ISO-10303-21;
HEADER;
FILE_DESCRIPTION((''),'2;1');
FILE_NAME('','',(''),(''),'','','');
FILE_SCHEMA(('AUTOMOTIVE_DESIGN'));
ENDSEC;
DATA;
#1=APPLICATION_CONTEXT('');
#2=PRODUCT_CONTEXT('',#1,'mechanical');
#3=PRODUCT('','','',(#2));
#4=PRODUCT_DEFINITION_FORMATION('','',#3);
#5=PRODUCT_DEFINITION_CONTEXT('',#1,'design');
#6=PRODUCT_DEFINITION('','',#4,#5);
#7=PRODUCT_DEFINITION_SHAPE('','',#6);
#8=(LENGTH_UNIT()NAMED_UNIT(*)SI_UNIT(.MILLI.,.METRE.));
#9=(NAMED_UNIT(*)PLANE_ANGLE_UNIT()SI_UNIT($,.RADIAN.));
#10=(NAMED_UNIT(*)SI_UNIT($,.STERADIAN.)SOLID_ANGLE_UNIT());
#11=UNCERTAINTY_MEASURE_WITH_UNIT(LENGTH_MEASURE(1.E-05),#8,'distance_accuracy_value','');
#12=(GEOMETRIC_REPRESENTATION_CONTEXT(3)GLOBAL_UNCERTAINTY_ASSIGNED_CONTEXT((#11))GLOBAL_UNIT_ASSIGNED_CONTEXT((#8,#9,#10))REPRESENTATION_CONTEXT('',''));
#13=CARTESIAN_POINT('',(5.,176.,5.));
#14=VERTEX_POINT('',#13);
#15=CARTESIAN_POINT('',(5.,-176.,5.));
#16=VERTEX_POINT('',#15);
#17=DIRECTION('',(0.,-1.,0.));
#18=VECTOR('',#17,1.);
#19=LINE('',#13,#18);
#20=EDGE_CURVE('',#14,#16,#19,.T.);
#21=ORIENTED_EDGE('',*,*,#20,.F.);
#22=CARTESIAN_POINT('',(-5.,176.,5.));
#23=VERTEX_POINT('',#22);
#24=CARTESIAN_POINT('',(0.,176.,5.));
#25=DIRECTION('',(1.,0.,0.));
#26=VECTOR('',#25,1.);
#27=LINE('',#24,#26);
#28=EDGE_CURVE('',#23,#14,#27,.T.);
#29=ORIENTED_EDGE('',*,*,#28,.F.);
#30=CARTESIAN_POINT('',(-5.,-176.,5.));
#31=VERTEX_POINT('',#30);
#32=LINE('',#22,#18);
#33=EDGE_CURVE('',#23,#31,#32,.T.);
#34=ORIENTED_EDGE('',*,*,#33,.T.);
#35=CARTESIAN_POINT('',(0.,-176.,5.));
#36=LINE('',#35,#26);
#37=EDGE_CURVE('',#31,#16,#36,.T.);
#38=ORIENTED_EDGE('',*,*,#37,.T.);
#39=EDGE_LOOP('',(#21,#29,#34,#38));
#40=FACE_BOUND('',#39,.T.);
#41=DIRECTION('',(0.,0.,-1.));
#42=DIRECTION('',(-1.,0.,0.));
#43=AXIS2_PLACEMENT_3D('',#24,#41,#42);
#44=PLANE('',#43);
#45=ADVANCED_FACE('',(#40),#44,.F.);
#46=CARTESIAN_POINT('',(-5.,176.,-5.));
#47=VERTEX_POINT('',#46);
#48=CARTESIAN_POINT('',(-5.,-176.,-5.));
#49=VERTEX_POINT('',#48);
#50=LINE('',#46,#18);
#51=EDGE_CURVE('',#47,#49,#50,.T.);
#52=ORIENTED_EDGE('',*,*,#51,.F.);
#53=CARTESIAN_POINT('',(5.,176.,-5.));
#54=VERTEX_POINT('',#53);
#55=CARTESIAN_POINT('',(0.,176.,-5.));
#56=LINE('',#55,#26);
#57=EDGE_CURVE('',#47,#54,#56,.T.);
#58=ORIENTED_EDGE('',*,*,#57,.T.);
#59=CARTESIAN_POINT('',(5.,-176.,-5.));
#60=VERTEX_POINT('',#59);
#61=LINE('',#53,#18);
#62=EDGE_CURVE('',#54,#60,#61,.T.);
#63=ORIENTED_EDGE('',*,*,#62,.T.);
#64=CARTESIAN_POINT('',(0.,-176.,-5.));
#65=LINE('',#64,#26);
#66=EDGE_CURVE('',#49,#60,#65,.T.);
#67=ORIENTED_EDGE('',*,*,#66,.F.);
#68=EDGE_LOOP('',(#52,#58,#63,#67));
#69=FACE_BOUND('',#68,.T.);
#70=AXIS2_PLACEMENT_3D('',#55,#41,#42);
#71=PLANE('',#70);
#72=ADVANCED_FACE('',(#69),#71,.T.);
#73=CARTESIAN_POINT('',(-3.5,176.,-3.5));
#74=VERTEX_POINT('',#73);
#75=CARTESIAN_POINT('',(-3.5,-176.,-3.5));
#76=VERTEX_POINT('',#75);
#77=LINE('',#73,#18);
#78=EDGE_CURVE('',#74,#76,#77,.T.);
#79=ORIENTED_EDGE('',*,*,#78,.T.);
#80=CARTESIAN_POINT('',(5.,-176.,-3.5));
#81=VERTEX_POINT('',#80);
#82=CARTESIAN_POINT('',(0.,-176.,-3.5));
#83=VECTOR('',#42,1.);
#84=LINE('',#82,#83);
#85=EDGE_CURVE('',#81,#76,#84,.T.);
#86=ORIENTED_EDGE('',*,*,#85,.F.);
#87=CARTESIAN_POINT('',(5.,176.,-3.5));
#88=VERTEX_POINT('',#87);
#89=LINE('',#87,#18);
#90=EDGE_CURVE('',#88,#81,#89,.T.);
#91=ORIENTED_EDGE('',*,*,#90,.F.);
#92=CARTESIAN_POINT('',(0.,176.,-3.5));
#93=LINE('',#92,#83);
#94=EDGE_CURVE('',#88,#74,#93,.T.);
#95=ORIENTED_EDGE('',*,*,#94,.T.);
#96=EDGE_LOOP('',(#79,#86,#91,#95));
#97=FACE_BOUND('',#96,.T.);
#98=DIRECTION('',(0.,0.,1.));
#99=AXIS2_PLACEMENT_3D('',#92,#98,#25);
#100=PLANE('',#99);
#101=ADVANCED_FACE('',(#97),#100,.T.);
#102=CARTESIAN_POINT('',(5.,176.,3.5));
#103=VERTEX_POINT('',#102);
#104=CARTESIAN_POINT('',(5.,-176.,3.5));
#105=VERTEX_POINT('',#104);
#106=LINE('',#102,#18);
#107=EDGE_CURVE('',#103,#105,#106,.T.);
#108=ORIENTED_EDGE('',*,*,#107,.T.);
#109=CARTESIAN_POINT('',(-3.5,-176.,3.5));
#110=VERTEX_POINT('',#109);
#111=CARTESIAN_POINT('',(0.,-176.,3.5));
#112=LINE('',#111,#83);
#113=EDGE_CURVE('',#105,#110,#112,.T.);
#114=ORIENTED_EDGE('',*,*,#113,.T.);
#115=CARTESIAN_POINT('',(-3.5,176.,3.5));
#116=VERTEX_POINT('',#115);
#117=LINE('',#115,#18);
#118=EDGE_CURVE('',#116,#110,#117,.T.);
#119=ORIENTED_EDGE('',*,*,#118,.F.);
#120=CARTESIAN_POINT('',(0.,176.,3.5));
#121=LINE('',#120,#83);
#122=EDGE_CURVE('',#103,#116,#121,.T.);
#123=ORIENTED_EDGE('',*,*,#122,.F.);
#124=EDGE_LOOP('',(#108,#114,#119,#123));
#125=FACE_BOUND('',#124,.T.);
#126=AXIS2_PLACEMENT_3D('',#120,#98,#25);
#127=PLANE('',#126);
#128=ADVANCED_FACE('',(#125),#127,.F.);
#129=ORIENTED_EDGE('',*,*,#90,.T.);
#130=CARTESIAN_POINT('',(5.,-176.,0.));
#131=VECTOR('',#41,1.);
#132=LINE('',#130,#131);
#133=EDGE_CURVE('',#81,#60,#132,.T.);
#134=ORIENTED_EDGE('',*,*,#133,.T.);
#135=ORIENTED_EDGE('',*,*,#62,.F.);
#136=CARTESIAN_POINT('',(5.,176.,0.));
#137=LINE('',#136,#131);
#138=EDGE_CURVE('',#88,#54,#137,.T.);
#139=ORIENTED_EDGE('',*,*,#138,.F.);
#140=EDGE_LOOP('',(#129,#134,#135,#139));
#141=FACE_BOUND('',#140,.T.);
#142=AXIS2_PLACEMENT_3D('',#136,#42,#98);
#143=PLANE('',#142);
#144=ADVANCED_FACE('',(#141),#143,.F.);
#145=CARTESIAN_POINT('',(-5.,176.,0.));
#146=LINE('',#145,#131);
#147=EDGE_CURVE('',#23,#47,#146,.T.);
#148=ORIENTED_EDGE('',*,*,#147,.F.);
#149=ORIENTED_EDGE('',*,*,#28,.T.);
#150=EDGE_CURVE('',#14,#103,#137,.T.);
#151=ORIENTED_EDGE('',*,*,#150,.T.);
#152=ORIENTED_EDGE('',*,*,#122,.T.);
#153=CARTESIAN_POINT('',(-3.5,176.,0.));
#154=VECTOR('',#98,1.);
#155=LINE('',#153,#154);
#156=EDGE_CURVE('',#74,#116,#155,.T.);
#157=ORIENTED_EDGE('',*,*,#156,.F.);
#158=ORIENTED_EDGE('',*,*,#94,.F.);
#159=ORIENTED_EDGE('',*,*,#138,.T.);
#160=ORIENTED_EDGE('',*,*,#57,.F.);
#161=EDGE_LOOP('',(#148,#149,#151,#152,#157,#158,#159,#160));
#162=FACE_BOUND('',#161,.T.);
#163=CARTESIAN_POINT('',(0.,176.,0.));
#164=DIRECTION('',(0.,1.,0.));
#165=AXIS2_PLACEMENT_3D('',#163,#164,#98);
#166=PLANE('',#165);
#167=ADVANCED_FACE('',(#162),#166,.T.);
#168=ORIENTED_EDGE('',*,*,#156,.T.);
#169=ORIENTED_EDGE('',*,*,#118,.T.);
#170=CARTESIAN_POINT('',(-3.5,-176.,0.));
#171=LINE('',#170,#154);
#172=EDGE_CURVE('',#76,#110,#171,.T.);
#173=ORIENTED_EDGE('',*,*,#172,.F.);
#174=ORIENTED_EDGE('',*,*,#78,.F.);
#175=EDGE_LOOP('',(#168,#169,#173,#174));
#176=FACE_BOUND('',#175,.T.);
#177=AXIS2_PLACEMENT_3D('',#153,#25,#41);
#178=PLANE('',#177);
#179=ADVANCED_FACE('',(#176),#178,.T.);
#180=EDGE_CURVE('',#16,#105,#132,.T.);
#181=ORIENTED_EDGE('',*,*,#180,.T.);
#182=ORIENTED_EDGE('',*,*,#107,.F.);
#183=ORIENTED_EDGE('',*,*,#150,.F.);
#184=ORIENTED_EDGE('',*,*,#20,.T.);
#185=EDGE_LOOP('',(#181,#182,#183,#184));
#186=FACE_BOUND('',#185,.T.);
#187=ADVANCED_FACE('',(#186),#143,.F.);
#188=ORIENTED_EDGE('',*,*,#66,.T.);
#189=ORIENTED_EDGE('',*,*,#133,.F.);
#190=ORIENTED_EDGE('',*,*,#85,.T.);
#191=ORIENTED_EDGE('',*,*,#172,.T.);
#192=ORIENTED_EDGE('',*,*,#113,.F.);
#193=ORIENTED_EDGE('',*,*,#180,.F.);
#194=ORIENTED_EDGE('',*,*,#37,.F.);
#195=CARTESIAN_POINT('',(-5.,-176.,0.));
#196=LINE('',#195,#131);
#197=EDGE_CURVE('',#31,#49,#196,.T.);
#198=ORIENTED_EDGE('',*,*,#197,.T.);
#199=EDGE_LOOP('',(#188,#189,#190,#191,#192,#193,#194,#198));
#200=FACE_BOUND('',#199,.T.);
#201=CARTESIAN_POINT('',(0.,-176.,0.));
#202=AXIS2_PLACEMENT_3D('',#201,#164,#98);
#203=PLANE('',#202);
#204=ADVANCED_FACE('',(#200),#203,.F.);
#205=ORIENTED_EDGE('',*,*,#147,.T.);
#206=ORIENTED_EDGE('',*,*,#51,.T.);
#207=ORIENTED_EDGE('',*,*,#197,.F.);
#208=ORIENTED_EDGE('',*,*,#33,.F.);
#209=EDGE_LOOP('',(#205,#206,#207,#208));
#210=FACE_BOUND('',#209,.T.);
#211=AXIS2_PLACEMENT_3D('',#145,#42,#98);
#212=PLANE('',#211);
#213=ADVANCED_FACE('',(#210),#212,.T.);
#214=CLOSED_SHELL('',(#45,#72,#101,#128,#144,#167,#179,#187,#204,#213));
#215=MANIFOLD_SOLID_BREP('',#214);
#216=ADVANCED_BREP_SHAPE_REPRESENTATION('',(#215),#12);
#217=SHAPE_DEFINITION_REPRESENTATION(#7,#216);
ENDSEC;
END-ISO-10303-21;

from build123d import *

# Parameters (mm, degrees)
BOSS_EXTRUDE1_DEPTH = 176


with BuildPart() as part:
    # Sketch2 → Boss-Extrude1 (new, symmetric)
    with BuildSketch(Plane(origin=(0, 0, 0), x_dir=(1, 0, 0), z_dir=(0, 1, 0))):
        Polygon((-5, 5), (-5, -5), (5, -5), (5, -3.5), (-3.5, -3.5), (-3.5, 3.5), (5, 3.5), (5, 5), align=None)
    extrude(amount=BOSS_EXTRUDE1_DEPTH, both=True)


solid = part.part
